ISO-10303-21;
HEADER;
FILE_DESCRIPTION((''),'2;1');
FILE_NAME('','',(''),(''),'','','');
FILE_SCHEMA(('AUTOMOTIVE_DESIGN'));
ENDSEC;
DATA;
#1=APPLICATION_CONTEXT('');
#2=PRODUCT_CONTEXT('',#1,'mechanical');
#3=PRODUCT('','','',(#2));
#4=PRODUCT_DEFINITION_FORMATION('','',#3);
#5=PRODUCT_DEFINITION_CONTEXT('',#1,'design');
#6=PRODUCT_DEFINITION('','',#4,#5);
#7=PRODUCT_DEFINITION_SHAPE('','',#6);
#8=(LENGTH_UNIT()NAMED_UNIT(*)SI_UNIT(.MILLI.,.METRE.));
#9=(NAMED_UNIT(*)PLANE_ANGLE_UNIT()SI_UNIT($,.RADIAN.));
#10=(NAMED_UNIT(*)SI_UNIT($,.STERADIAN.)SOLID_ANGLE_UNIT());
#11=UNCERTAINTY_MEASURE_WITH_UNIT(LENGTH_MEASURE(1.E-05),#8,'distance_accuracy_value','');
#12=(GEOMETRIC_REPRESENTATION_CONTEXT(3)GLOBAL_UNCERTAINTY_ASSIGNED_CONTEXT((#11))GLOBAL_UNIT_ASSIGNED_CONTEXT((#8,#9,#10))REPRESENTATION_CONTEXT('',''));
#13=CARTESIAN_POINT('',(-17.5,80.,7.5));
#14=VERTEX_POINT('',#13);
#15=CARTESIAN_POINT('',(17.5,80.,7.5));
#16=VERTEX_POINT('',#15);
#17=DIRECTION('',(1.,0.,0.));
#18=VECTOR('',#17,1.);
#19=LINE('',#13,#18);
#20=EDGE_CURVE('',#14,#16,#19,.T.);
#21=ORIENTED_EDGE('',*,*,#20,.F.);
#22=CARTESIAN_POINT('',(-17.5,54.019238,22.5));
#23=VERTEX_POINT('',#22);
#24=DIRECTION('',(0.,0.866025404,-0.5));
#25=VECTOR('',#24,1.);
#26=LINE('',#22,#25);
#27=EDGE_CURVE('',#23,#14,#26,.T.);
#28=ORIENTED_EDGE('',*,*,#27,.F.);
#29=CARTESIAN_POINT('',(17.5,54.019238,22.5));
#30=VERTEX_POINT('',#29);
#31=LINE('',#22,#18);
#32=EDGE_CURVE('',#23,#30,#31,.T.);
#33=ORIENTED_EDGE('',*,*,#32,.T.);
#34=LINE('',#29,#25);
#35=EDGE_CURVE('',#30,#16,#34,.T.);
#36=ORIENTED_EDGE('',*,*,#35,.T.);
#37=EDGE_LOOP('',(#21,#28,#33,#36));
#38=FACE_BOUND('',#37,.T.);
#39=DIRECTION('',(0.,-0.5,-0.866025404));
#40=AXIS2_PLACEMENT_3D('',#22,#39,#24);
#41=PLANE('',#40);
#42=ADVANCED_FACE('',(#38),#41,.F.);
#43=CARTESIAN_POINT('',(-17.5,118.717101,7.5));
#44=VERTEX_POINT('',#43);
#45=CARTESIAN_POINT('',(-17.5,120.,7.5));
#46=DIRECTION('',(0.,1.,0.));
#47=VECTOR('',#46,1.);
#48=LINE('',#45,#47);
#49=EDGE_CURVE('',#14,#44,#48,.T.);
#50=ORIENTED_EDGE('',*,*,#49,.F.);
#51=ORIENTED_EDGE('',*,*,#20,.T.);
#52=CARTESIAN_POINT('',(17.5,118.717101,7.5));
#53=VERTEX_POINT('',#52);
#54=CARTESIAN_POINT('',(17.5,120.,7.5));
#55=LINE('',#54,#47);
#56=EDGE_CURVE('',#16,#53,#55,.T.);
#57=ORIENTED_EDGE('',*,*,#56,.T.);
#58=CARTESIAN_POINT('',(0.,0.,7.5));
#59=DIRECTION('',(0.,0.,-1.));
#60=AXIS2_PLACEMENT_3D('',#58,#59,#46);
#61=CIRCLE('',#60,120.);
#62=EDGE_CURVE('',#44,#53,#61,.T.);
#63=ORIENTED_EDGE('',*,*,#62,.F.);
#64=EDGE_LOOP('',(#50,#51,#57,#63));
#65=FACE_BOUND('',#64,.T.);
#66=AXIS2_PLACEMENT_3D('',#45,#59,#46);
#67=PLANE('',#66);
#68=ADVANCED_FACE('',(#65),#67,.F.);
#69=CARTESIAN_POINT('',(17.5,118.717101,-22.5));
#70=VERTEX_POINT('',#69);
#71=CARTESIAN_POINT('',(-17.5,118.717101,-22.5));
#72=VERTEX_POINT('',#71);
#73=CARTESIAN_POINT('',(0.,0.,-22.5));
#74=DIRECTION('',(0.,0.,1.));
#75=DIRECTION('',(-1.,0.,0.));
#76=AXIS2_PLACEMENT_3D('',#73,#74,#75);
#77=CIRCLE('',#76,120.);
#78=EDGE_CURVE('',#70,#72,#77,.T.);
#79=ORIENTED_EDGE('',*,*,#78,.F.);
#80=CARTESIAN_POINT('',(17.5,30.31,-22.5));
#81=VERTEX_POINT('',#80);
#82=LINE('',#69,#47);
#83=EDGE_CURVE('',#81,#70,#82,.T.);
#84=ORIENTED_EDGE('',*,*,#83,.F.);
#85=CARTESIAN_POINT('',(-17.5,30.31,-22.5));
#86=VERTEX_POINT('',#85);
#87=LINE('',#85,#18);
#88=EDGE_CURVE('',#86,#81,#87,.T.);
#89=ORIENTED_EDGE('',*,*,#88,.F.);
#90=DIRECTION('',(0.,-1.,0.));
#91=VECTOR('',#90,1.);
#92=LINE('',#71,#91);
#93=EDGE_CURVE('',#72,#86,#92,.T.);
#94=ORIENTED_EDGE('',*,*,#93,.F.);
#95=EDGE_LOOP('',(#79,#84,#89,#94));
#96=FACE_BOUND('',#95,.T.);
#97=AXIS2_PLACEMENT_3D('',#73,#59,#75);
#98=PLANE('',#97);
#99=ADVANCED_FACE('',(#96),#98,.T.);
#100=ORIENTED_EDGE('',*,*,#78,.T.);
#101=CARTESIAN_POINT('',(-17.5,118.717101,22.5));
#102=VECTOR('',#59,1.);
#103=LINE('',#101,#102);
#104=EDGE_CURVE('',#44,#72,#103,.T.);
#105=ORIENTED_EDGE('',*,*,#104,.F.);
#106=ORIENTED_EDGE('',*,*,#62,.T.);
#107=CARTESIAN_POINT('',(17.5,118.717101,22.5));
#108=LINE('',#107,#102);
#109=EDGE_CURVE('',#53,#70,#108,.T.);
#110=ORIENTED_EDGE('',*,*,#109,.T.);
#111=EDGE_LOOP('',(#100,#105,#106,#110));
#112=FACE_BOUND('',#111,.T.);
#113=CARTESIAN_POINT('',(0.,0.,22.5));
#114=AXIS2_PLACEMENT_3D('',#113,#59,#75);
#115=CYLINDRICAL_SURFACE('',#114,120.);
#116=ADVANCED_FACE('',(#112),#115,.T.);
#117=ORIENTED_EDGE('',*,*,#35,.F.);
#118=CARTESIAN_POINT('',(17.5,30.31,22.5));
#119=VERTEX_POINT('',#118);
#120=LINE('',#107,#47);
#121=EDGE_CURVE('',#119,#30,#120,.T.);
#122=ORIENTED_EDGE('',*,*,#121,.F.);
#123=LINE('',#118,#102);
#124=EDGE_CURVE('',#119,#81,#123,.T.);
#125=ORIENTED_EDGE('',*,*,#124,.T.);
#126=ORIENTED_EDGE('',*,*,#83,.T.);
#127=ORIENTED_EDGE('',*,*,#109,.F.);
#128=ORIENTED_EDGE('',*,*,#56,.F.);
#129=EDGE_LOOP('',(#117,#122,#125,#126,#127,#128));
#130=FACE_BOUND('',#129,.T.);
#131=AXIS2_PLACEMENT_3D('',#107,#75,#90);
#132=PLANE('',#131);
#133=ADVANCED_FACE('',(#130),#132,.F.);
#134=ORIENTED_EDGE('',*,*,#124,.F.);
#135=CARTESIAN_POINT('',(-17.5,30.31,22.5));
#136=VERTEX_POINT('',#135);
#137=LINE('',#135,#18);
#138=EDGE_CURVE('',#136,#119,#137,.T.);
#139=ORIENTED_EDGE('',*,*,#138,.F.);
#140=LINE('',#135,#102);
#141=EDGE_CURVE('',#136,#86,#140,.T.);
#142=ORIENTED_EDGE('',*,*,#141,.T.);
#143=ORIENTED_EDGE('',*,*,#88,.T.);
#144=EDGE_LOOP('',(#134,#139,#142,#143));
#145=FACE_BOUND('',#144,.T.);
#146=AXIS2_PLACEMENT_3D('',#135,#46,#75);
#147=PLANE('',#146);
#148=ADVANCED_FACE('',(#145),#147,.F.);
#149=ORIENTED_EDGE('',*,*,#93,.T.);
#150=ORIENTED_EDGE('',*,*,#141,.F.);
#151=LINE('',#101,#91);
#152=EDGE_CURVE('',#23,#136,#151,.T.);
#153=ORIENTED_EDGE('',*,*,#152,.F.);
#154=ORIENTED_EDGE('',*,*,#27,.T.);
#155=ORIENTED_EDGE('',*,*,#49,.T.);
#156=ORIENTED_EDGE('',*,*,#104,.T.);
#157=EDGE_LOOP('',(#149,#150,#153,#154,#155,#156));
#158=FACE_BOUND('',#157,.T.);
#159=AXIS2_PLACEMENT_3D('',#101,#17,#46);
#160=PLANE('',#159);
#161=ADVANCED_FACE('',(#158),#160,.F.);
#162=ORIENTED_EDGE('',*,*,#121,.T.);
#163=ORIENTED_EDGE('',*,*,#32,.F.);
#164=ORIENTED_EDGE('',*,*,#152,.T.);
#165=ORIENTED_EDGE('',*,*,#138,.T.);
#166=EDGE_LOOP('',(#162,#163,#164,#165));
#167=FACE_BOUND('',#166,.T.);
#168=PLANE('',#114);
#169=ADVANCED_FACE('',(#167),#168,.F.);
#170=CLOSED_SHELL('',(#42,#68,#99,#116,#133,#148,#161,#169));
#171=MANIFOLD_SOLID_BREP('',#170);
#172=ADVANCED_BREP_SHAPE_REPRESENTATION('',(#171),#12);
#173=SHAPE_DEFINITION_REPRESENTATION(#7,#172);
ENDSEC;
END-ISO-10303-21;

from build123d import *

# Parameters (mm, degrees)
BOSS_EXTRUDE1_DEPTH = 22.5
CUT_EXTRUDE1_DEPTH  = 128.008857959


with BuildPart() as part:
    # Sketch1 → Boss-Extrude1 (new, symmetric)
    with BuildSketch(Plane.XY):
        with BuildLine():
            Line((-17.5, 118.717100706), (-17.5, 30.31))
            Line((-17.5, 30.31), (17.5, 30.31))
            Line((17.5, 30.31), (17.5, 118.717100706))
            ThreePointArc((17.5, 118.717100706), (0, 120), (-17.5, 118.717100706))
        make_face()
    extrude(amount=BOSS_EXTRUDE1_DEPTH, both=True)

    # Sketch2 → Cut-Extrude1 (cut, through all)
    with BuildSketch(Plane(origin=(17.5, 0, 0), x_dir=(0, 0, -1), z_dir=(1, 0, 0))):
        Polygon((-22.5, 54.019237886), (-7.5, 80), (-7.5, 120), (-22.5, 120), align=None)
    extrude(amount=-CUT_EXTRUDE1_DEPTH, mode=Mode.SUBTRACT)


solid = part.part
